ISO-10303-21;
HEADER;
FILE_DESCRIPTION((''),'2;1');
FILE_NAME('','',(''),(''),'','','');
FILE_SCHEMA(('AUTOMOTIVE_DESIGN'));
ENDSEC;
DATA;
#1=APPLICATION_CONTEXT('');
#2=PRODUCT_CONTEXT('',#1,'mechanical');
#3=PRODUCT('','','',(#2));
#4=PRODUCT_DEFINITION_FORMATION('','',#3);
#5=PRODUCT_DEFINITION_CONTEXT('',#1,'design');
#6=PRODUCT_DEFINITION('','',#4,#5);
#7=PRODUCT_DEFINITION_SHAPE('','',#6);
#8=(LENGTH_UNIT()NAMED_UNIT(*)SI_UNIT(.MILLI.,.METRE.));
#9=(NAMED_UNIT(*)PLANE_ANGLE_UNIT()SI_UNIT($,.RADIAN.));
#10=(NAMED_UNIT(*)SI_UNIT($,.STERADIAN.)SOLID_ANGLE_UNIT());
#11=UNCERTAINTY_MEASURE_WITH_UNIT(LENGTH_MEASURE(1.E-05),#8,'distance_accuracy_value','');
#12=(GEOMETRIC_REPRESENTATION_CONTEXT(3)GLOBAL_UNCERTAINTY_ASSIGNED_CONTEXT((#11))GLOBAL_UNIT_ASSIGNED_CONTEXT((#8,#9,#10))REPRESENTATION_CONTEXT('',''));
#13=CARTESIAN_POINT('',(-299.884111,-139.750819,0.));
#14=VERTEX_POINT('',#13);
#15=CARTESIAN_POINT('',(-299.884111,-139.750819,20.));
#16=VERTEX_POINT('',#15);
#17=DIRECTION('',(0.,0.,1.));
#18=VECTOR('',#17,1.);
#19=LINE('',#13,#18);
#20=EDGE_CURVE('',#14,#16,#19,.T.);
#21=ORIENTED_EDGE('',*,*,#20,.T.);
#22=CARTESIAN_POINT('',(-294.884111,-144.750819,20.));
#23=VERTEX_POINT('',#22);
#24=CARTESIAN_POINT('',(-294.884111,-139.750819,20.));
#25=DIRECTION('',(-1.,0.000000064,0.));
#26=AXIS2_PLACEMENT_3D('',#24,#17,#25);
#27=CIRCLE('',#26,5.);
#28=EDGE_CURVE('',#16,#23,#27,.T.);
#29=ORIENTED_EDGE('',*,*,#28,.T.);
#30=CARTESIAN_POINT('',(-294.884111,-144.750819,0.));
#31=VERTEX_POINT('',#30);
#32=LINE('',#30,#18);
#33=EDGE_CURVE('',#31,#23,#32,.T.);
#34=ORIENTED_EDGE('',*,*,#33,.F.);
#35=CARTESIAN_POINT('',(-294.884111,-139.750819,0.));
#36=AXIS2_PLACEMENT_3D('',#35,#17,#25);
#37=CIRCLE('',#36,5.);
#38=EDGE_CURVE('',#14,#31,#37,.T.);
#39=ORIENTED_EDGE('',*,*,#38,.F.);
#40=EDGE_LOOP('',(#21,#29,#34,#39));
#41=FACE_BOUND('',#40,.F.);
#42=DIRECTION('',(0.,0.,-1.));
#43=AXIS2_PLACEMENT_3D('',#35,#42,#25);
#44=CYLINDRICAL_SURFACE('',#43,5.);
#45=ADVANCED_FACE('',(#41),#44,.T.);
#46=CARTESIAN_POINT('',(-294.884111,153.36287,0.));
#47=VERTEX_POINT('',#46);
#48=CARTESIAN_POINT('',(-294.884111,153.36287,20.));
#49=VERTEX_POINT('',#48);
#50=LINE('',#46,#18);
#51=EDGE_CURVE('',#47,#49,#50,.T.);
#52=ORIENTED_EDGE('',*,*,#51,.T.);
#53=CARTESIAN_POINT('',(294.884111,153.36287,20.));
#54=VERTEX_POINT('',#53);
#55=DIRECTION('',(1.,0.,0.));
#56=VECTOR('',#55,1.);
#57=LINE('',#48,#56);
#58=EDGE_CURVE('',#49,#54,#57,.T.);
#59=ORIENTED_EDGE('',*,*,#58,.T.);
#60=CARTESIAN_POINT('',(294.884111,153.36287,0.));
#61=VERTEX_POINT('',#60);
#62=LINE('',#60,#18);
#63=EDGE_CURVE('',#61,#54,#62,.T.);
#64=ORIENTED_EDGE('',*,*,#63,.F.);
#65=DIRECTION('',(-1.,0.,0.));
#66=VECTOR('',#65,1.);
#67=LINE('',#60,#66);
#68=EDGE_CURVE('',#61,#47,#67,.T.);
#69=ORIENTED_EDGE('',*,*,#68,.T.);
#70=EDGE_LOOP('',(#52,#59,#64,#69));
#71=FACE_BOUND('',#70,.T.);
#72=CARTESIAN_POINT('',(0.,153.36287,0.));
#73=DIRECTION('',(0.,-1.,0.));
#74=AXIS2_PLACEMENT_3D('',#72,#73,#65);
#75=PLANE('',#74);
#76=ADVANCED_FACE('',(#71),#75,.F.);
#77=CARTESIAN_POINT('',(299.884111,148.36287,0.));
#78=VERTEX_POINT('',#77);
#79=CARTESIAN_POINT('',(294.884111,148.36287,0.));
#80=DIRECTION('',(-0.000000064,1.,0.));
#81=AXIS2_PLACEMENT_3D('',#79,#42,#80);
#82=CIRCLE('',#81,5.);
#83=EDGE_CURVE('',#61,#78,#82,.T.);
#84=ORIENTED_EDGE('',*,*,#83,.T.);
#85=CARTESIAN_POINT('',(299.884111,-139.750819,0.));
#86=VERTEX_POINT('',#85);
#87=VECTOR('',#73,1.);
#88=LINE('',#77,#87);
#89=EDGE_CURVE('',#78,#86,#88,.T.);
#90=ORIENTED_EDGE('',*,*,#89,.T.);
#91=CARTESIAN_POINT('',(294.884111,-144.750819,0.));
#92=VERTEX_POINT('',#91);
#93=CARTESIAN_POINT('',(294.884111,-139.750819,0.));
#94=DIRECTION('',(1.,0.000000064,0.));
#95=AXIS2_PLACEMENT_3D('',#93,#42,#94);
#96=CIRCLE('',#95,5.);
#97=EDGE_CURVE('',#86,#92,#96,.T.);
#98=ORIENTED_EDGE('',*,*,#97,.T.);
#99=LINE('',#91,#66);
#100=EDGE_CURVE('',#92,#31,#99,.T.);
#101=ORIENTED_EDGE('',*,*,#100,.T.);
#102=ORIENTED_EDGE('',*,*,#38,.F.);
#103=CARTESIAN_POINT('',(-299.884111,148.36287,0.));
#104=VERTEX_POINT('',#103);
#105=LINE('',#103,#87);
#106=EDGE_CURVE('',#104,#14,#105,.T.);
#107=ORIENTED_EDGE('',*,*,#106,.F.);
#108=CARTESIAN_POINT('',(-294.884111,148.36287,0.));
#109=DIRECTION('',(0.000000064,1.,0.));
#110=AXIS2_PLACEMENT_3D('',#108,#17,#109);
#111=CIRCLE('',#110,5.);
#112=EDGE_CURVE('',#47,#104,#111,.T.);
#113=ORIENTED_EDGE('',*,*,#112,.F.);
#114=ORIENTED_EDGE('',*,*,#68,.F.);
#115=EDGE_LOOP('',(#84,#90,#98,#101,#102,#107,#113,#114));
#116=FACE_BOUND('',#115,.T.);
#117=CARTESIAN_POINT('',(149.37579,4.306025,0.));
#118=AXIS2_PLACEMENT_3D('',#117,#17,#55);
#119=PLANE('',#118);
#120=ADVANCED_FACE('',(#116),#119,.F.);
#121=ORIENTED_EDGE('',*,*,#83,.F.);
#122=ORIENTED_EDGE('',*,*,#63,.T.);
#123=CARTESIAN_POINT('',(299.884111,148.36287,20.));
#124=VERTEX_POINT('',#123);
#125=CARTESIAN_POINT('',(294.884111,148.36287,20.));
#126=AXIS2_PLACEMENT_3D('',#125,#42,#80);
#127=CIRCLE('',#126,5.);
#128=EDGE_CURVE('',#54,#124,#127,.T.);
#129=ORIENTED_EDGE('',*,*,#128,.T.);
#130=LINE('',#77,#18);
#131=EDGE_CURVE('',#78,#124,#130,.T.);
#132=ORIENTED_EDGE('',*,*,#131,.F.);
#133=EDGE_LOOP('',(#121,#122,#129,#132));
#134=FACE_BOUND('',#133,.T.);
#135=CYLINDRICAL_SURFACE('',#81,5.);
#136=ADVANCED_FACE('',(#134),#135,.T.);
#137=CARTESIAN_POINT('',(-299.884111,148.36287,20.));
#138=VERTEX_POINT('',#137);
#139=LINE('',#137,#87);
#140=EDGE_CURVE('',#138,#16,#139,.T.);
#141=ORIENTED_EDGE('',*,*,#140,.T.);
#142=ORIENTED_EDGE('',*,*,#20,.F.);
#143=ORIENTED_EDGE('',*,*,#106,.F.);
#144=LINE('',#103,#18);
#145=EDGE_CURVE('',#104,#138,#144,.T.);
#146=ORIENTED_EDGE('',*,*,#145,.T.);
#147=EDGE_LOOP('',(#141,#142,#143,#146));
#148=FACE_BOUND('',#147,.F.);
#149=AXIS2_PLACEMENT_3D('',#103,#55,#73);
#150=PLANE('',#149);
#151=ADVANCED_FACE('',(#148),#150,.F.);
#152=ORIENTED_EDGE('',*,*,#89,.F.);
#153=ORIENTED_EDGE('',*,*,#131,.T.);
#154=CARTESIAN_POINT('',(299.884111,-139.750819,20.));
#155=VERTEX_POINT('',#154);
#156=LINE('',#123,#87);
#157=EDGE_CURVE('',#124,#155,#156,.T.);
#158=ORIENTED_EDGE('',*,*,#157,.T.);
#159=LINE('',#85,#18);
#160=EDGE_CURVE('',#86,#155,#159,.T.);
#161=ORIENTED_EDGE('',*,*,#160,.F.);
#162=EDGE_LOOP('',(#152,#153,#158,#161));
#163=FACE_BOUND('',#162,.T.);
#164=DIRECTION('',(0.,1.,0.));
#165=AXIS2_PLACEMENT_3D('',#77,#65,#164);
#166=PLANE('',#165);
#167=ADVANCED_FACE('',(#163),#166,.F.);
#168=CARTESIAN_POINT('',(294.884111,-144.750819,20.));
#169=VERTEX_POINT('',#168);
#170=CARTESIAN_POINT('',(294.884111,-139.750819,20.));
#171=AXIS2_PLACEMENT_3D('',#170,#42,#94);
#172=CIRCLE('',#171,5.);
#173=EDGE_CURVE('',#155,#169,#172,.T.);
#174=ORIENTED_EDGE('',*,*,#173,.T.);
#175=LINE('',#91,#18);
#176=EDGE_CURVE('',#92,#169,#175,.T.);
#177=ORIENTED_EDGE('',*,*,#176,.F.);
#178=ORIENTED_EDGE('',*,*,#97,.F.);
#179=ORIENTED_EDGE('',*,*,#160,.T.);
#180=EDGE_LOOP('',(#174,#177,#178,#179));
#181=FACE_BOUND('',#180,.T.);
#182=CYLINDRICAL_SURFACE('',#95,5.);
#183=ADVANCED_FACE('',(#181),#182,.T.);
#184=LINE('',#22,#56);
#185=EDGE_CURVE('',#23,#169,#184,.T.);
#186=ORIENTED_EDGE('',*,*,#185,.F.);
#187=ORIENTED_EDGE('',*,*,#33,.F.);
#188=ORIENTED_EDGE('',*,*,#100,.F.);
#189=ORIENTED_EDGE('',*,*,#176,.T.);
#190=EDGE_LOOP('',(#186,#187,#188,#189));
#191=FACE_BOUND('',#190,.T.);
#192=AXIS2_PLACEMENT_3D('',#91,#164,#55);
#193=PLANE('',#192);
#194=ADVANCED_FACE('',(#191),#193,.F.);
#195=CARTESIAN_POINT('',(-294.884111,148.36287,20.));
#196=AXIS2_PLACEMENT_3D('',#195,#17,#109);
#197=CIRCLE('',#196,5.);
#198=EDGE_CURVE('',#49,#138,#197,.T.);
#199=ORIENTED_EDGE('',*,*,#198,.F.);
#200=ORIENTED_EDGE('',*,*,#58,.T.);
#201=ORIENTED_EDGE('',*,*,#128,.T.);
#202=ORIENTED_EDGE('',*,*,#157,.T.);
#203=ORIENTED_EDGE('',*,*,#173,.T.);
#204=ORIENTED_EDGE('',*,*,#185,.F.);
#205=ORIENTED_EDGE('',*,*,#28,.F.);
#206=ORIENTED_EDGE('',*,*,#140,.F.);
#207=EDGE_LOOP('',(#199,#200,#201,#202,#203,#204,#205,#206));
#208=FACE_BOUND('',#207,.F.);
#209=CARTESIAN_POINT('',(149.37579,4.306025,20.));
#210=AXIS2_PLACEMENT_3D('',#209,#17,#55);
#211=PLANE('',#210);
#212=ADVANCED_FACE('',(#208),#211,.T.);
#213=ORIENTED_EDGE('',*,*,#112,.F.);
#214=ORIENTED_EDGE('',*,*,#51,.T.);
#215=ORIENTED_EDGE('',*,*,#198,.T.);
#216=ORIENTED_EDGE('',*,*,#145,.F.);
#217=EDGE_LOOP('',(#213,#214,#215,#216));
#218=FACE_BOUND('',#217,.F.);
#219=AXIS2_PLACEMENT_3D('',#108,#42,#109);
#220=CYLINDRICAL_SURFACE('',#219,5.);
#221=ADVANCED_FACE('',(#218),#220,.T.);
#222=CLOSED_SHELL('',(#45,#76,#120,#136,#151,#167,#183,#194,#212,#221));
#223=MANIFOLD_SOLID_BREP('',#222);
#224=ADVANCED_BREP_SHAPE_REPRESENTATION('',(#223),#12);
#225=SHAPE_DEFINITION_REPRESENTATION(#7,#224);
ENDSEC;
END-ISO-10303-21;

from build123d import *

# Parameters (mm, degrees)
F1_DEPTH = 20


with BuildPart() as f1:
    # F0 (on Top) → F1 (new body)
    with BuildSketch(Plane.XY):
        with BuildLine():
            Line((0, -144.750819), (0, 153.36287))
            Line((0, 153.36287), (-294.884111, 153.36287))
            ThreePointArc((-294.884111, 153.36287), (-298.419645, 151.898404), (-299.884111, 148.36287))
            Line((-299.884111, 148.36287), (-299.884111, -139.750819))
            ThreePointArc((-299.884111, -139.750819), (-298.419645, -143.286353), (-294.884111, -144.750819))
            Line((-294.884111, -144.750819), (0, -144.750819))
        make_face()
    extrude(amount=F1_DEPTH)

    # F2: F1 across face


with BuildPart() as f1_1:
    add(f1.part)
    add(f1.part.mirror(Plane(origin=(0, 4.306026, 10), x_dir=(0, 1, 0), z_dir=(1, 0, 0))))


solid = f1_1.part
